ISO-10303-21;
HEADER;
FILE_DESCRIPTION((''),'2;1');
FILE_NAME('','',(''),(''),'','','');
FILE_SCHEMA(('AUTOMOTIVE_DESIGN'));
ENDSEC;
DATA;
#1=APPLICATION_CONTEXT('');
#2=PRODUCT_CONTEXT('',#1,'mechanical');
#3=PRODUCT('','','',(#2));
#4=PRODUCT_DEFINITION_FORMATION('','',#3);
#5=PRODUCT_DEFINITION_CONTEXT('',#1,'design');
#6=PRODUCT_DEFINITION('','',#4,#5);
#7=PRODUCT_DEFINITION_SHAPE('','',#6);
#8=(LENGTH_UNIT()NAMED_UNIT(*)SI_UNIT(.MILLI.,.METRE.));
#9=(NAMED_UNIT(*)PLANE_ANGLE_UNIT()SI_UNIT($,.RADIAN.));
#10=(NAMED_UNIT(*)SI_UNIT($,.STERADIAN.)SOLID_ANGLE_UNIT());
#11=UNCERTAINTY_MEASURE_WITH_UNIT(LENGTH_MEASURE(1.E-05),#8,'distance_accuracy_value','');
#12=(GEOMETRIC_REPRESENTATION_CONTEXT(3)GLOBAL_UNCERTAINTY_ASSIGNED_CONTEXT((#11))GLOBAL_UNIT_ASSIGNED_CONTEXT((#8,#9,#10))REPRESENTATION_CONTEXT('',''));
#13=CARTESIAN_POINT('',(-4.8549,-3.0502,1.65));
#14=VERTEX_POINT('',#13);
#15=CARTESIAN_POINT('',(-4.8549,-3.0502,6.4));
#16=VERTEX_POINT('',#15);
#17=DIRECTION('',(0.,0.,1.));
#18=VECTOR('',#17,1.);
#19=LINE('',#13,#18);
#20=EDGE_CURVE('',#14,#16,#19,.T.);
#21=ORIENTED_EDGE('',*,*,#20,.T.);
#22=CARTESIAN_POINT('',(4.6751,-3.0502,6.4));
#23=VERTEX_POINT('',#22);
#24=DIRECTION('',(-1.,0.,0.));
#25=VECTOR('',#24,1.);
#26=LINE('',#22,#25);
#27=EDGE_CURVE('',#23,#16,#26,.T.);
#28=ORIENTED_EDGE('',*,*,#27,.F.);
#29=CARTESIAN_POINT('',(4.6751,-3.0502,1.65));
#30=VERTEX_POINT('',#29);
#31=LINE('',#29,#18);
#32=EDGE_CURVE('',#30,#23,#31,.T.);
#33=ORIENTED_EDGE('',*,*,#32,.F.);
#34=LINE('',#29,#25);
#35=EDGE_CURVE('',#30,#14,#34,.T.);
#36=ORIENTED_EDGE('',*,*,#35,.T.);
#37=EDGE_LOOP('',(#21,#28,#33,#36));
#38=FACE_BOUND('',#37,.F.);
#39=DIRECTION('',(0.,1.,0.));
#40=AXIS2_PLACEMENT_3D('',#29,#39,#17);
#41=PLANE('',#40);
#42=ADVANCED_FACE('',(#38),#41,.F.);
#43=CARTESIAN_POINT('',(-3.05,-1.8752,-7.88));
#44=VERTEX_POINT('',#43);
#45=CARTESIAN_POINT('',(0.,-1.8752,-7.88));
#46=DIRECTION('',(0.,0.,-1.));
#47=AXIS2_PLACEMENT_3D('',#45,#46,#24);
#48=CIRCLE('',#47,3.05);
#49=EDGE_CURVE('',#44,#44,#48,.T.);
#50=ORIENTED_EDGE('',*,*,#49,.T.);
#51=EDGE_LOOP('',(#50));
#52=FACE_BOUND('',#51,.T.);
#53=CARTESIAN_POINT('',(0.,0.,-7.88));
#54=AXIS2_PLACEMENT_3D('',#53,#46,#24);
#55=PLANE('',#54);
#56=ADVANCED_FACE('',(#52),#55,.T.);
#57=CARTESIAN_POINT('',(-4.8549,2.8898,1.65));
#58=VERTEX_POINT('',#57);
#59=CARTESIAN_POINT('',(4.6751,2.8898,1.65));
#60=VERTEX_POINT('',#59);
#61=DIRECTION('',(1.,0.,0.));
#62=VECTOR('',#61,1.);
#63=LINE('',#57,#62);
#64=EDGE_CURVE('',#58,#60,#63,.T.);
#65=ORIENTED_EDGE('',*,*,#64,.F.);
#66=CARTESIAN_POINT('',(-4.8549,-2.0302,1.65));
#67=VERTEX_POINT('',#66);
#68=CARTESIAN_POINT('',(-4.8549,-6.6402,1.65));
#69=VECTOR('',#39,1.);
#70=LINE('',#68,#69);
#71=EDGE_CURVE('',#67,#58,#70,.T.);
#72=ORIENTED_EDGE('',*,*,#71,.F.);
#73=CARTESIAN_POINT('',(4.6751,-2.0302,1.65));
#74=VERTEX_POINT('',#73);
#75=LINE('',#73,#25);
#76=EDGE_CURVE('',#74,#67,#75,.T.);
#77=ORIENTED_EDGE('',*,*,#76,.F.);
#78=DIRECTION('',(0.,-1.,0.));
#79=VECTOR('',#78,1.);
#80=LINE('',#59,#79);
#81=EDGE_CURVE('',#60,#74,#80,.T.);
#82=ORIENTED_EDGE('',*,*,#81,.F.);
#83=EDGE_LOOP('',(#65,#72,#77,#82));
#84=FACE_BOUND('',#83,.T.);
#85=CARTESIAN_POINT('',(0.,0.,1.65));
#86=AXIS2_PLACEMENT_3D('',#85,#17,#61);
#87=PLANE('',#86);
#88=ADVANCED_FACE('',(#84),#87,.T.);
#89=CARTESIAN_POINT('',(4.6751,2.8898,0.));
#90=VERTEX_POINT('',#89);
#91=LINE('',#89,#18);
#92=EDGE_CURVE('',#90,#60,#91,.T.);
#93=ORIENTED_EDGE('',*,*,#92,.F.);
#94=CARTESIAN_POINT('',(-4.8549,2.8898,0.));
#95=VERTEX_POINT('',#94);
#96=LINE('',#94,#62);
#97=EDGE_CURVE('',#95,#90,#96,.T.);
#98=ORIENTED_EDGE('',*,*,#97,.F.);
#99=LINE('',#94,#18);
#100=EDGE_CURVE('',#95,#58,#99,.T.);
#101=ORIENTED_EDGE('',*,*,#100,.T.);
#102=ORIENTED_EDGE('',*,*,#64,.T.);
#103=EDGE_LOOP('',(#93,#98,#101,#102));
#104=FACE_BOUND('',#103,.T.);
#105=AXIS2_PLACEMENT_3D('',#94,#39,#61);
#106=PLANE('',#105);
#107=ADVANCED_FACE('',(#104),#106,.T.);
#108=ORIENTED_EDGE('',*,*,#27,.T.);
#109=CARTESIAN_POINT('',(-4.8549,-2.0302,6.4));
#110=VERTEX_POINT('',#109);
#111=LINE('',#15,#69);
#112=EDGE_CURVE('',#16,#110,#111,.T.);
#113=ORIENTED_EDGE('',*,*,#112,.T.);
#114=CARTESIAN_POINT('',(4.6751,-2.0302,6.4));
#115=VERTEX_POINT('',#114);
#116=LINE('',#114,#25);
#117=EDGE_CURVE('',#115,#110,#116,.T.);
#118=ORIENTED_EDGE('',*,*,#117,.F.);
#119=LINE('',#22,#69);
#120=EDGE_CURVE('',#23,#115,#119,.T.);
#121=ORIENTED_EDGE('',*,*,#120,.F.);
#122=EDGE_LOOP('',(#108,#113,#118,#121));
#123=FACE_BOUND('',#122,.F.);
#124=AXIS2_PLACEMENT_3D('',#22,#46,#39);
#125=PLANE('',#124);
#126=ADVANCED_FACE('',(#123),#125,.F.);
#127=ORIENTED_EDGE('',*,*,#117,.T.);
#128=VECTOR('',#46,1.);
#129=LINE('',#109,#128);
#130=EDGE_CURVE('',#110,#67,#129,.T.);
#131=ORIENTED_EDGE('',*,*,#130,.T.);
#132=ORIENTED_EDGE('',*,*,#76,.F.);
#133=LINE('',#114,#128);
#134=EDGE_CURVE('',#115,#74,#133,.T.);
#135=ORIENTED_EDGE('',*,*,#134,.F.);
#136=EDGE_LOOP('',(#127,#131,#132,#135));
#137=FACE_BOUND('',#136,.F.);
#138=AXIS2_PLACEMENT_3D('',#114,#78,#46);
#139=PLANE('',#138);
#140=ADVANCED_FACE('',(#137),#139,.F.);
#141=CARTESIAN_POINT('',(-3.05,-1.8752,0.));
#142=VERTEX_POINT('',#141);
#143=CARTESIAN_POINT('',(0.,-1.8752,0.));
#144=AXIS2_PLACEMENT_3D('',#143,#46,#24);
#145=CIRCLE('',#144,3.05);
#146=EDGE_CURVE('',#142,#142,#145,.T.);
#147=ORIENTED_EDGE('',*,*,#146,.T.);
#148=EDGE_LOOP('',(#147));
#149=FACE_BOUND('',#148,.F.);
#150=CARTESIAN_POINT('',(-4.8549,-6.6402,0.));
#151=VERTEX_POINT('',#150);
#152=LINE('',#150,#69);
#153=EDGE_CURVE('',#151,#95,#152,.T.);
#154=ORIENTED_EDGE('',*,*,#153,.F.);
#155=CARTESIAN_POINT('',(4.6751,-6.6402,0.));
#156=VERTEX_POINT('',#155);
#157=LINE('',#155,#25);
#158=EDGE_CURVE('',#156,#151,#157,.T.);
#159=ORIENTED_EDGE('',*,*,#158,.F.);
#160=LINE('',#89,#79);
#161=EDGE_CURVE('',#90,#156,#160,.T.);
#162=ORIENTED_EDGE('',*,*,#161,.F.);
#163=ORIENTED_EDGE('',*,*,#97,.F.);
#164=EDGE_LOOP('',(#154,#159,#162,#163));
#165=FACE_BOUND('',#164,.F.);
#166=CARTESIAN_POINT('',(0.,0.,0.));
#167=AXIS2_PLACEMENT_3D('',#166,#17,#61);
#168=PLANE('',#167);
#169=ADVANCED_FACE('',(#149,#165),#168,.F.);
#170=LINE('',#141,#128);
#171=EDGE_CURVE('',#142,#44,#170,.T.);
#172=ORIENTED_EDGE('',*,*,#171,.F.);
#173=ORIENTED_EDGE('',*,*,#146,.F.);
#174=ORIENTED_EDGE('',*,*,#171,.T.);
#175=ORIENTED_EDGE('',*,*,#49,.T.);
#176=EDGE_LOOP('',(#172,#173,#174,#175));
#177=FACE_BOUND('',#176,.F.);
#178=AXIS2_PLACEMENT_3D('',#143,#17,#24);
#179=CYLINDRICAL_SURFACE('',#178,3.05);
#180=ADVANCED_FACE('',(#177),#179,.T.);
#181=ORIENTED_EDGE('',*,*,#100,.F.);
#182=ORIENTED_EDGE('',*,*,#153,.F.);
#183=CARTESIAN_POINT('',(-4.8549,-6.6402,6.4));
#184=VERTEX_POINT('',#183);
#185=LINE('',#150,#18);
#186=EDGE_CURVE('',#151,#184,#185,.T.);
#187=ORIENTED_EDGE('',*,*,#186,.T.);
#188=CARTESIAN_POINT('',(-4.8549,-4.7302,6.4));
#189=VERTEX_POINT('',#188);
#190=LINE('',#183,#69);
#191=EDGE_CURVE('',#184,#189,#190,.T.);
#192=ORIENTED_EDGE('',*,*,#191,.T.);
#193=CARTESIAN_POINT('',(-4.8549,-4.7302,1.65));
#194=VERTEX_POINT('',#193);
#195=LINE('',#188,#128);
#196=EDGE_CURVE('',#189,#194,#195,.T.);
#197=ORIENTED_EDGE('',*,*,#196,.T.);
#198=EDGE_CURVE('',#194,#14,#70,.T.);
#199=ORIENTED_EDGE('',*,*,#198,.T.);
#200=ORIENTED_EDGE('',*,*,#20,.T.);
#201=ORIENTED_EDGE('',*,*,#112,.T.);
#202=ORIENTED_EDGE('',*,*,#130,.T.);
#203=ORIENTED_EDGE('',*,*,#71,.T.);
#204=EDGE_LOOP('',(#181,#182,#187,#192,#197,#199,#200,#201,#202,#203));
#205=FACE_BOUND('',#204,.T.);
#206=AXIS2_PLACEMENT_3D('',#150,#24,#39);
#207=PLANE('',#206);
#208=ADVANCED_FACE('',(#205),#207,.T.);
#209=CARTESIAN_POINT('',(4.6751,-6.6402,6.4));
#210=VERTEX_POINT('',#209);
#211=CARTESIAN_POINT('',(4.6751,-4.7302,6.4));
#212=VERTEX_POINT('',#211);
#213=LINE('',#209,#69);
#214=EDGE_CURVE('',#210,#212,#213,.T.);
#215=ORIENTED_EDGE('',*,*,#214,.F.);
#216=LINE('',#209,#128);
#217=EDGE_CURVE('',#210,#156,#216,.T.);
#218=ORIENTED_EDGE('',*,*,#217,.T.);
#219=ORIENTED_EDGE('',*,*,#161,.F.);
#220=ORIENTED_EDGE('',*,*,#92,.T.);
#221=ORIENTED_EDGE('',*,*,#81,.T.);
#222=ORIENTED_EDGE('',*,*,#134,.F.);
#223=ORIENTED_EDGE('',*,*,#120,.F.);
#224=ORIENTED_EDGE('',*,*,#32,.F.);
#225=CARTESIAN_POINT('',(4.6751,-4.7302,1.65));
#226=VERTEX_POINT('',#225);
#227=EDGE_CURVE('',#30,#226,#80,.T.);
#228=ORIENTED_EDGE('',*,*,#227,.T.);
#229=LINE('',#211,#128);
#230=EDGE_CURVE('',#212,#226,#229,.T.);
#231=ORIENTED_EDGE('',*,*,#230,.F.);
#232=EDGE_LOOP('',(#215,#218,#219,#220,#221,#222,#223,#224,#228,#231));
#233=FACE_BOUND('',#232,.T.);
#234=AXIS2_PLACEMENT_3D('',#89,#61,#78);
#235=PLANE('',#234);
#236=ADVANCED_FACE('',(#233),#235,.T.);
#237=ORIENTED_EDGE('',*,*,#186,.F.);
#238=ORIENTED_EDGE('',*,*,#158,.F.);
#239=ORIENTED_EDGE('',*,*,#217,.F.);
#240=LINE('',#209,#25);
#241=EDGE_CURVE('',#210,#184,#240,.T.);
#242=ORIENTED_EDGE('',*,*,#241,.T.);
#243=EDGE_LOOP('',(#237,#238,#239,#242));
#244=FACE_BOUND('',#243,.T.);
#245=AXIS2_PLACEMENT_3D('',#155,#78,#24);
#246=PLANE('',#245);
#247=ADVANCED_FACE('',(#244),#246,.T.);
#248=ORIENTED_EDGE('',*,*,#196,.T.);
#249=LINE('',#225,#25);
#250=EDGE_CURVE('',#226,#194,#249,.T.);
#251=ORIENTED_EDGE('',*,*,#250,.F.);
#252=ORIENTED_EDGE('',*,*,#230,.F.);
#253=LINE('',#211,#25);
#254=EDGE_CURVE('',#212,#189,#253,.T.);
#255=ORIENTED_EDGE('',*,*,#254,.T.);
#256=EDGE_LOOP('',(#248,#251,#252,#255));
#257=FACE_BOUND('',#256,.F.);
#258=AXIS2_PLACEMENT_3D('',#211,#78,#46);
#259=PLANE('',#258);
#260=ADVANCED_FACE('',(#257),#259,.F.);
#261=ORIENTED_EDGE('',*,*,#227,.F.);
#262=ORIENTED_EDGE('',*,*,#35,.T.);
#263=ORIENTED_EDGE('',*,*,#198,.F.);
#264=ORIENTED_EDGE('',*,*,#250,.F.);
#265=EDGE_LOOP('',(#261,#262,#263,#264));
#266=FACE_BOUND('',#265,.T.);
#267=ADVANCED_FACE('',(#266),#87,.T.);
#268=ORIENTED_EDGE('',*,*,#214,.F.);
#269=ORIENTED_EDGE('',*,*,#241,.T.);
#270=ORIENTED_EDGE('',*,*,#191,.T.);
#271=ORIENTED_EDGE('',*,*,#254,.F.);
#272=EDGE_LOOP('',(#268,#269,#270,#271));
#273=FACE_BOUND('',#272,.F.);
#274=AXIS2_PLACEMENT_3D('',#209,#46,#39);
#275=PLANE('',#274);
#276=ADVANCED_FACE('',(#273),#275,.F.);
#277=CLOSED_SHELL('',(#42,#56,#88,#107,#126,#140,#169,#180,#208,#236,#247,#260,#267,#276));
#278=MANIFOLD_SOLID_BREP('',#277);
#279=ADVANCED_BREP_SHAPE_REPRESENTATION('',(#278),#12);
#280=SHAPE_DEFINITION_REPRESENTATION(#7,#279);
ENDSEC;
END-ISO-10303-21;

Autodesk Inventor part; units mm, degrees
ref_plane "YZ Plane" through (0, 0, 0) normal (1, 0, 0) x (0, 1, 0)
ref_plane "XZ Plane" through (0, 0, 0) normal (0, 1, 0) x (-1, 0, 0)
ref_plane "XY Plane" through (0, 0, 0) normal (0, 0, 1) x (1, 0, 0)
sketch "Sketch1" plane through (0, 0, 0) normal (0, 0, 1) x (1, 0, 0)
  line L0 (-4.8549, 2.8898) -> (4.6751, 2.8898)
  line L1 (4.6751, 2.8898) -> (4.6751, -6.6402)
  line L2 (4.6751, -6.6402) -> (-4.8549, -6.6402)
  line L3 (-4.8549, -6.6402) -> (-4.8549, 2.8898)
  point P0 (0, 0)
  dimension "d0" = 9.53
  dimension "d1" = 9.53
extrude "Extrusion1" add sketch "Sketch1" along normal blind 1.65
sketch "Sketch2" plane through (4.6751, -6.6402, 0) normal (1, 0, 0) x (0, 0, -1)
  line L0 (-1.65, 0) -> (-1.65, 9.53) projected
  line L1 (-1.65, 3.59) -> (-6.4, 3.59)
  line L2 (-6.4, 3.59) -> (-6.4, 4.61)
  line L3 (-6.4, 4.61) -> (-1.65, 4.61)
  line L4 (-1.65, 4.61) -> (-1.65, 3.59)
  line L5 (-1.65, 0) -> (-6.4, 0)
  line L6 (-6.4, 0) -> (-6.4, 1.91)
  line L7 (-6.4, 1.91) -> (-1.65, 1.91)
  line L8 (-1.65, 1.91) -> (-1.65, 0)
  point P0 (0, 6.6402)
  dimension "d4" = 1.68
  dimension "d5" = 1.91
  dimension "d6" = 1.02
  dimension "d7" = 4.75
  dimension "d8" = 4.75
extrude "Extrusion2" add sketch "Sketch2" against normal blind 9.53
sketch "Sketch3" plane through (0, 0, 0) normal (0, 0, -1) x (-1, 0, 0)
  circle A0 centre (0, -1.8752) radius 3.05
  point P0 (0, 0)
  dimension "d11" = 6.1
extrude "Extrusion3" add sketch "Sketch3" along normal blind 7.88
properties part number "SMA_Edge"
